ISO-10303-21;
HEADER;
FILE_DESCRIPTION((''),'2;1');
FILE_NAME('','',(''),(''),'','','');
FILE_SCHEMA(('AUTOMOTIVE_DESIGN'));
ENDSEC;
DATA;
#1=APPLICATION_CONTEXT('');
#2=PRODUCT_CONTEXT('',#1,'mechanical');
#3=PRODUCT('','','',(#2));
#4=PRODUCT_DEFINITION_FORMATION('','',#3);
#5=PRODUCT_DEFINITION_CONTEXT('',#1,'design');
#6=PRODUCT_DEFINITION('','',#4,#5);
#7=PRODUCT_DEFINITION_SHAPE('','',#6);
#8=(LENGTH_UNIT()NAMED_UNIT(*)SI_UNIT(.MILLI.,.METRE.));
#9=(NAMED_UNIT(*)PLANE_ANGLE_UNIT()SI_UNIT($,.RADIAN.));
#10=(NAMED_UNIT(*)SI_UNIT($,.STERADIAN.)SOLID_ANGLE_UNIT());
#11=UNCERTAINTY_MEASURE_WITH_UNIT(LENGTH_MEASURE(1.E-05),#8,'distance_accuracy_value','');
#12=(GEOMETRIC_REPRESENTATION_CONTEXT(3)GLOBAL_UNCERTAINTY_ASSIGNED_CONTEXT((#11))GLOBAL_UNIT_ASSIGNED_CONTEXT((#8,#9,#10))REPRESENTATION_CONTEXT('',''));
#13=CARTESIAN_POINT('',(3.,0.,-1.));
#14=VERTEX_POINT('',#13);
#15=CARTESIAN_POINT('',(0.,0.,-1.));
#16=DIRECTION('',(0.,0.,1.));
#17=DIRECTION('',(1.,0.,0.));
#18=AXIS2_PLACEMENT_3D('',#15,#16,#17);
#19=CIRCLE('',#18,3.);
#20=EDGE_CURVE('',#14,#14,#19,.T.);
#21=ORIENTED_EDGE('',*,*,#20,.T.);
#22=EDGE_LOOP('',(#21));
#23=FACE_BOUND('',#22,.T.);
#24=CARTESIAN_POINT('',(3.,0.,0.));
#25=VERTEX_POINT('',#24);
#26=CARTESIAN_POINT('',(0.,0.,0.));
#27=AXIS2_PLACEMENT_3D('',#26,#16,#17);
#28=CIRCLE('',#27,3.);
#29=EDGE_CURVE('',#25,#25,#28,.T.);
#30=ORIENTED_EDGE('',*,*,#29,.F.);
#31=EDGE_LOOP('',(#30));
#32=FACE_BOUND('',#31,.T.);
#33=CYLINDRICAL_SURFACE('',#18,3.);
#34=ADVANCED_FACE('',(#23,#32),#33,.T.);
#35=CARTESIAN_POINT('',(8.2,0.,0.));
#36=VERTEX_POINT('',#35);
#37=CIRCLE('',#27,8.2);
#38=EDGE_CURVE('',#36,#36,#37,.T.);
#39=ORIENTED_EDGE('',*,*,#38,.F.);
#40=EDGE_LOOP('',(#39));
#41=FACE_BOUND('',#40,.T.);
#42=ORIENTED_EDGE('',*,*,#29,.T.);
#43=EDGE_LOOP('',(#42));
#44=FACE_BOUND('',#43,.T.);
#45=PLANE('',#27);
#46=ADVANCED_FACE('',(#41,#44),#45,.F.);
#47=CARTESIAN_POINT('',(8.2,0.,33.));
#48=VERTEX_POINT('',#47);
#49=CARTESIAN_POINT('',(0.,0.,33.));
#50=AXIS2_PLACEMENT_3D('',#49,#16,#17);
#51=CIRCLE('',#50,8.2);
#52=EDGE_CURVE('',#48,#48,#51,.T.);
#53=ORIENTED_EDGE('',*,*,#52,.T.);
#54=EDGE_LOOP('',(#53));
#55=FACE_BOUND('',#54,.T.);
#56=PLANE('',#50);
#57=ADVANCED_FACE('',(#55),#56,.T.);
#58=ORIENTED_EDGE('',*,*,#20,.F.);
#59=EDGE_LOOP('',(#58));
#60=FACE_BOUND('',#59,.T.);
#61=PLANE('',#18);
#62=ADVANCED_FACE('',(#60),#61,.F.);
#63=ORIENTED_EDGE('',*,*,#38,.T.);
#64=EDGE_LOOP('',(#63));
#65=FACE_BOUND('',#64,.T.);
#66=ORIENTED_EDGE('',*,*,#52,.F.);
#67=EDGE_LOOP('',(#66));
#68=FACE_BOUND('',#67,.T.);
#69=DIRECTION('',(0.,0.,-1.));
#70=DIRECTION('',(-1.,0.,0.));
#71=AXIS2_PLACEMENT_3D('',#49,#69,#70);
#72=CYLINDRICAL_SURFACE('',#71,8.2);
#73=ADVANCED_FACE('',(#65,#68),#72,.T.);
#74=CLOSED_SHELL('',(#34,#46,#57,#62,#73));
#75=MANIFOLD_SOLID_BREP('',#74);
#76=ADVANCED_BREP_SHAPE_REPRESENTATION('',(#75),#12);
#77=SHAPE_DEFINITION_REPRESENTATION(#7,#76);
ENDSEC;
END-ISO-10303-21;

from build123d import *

# Parameters (mm, degrees)
SKETCH1_R           = 8.2
BOSS_EXTRUDE1_DEPTH = 33
SKETCH2_R           = 3
BOSS_EXTRUDE2_DEPTH = 34


with BuildPart() as part:
    # Sketch1 → Boss-Extrude1 (new body)
    with BuildSketch(Plane.XY):
        Circle(SKETCH1_R)
    extrude(amount=BOSS_EXTRUDE1_DEPTH)

    # Sketch2 → Boss-Extrude2 (add)
    with BuildSketch(Plane.XY.offset(33)):
        Circle(SKETCH2_R)
    extrude(amount=-BOSS_EXTRUDE2_DEPTH)


solid = part.part
